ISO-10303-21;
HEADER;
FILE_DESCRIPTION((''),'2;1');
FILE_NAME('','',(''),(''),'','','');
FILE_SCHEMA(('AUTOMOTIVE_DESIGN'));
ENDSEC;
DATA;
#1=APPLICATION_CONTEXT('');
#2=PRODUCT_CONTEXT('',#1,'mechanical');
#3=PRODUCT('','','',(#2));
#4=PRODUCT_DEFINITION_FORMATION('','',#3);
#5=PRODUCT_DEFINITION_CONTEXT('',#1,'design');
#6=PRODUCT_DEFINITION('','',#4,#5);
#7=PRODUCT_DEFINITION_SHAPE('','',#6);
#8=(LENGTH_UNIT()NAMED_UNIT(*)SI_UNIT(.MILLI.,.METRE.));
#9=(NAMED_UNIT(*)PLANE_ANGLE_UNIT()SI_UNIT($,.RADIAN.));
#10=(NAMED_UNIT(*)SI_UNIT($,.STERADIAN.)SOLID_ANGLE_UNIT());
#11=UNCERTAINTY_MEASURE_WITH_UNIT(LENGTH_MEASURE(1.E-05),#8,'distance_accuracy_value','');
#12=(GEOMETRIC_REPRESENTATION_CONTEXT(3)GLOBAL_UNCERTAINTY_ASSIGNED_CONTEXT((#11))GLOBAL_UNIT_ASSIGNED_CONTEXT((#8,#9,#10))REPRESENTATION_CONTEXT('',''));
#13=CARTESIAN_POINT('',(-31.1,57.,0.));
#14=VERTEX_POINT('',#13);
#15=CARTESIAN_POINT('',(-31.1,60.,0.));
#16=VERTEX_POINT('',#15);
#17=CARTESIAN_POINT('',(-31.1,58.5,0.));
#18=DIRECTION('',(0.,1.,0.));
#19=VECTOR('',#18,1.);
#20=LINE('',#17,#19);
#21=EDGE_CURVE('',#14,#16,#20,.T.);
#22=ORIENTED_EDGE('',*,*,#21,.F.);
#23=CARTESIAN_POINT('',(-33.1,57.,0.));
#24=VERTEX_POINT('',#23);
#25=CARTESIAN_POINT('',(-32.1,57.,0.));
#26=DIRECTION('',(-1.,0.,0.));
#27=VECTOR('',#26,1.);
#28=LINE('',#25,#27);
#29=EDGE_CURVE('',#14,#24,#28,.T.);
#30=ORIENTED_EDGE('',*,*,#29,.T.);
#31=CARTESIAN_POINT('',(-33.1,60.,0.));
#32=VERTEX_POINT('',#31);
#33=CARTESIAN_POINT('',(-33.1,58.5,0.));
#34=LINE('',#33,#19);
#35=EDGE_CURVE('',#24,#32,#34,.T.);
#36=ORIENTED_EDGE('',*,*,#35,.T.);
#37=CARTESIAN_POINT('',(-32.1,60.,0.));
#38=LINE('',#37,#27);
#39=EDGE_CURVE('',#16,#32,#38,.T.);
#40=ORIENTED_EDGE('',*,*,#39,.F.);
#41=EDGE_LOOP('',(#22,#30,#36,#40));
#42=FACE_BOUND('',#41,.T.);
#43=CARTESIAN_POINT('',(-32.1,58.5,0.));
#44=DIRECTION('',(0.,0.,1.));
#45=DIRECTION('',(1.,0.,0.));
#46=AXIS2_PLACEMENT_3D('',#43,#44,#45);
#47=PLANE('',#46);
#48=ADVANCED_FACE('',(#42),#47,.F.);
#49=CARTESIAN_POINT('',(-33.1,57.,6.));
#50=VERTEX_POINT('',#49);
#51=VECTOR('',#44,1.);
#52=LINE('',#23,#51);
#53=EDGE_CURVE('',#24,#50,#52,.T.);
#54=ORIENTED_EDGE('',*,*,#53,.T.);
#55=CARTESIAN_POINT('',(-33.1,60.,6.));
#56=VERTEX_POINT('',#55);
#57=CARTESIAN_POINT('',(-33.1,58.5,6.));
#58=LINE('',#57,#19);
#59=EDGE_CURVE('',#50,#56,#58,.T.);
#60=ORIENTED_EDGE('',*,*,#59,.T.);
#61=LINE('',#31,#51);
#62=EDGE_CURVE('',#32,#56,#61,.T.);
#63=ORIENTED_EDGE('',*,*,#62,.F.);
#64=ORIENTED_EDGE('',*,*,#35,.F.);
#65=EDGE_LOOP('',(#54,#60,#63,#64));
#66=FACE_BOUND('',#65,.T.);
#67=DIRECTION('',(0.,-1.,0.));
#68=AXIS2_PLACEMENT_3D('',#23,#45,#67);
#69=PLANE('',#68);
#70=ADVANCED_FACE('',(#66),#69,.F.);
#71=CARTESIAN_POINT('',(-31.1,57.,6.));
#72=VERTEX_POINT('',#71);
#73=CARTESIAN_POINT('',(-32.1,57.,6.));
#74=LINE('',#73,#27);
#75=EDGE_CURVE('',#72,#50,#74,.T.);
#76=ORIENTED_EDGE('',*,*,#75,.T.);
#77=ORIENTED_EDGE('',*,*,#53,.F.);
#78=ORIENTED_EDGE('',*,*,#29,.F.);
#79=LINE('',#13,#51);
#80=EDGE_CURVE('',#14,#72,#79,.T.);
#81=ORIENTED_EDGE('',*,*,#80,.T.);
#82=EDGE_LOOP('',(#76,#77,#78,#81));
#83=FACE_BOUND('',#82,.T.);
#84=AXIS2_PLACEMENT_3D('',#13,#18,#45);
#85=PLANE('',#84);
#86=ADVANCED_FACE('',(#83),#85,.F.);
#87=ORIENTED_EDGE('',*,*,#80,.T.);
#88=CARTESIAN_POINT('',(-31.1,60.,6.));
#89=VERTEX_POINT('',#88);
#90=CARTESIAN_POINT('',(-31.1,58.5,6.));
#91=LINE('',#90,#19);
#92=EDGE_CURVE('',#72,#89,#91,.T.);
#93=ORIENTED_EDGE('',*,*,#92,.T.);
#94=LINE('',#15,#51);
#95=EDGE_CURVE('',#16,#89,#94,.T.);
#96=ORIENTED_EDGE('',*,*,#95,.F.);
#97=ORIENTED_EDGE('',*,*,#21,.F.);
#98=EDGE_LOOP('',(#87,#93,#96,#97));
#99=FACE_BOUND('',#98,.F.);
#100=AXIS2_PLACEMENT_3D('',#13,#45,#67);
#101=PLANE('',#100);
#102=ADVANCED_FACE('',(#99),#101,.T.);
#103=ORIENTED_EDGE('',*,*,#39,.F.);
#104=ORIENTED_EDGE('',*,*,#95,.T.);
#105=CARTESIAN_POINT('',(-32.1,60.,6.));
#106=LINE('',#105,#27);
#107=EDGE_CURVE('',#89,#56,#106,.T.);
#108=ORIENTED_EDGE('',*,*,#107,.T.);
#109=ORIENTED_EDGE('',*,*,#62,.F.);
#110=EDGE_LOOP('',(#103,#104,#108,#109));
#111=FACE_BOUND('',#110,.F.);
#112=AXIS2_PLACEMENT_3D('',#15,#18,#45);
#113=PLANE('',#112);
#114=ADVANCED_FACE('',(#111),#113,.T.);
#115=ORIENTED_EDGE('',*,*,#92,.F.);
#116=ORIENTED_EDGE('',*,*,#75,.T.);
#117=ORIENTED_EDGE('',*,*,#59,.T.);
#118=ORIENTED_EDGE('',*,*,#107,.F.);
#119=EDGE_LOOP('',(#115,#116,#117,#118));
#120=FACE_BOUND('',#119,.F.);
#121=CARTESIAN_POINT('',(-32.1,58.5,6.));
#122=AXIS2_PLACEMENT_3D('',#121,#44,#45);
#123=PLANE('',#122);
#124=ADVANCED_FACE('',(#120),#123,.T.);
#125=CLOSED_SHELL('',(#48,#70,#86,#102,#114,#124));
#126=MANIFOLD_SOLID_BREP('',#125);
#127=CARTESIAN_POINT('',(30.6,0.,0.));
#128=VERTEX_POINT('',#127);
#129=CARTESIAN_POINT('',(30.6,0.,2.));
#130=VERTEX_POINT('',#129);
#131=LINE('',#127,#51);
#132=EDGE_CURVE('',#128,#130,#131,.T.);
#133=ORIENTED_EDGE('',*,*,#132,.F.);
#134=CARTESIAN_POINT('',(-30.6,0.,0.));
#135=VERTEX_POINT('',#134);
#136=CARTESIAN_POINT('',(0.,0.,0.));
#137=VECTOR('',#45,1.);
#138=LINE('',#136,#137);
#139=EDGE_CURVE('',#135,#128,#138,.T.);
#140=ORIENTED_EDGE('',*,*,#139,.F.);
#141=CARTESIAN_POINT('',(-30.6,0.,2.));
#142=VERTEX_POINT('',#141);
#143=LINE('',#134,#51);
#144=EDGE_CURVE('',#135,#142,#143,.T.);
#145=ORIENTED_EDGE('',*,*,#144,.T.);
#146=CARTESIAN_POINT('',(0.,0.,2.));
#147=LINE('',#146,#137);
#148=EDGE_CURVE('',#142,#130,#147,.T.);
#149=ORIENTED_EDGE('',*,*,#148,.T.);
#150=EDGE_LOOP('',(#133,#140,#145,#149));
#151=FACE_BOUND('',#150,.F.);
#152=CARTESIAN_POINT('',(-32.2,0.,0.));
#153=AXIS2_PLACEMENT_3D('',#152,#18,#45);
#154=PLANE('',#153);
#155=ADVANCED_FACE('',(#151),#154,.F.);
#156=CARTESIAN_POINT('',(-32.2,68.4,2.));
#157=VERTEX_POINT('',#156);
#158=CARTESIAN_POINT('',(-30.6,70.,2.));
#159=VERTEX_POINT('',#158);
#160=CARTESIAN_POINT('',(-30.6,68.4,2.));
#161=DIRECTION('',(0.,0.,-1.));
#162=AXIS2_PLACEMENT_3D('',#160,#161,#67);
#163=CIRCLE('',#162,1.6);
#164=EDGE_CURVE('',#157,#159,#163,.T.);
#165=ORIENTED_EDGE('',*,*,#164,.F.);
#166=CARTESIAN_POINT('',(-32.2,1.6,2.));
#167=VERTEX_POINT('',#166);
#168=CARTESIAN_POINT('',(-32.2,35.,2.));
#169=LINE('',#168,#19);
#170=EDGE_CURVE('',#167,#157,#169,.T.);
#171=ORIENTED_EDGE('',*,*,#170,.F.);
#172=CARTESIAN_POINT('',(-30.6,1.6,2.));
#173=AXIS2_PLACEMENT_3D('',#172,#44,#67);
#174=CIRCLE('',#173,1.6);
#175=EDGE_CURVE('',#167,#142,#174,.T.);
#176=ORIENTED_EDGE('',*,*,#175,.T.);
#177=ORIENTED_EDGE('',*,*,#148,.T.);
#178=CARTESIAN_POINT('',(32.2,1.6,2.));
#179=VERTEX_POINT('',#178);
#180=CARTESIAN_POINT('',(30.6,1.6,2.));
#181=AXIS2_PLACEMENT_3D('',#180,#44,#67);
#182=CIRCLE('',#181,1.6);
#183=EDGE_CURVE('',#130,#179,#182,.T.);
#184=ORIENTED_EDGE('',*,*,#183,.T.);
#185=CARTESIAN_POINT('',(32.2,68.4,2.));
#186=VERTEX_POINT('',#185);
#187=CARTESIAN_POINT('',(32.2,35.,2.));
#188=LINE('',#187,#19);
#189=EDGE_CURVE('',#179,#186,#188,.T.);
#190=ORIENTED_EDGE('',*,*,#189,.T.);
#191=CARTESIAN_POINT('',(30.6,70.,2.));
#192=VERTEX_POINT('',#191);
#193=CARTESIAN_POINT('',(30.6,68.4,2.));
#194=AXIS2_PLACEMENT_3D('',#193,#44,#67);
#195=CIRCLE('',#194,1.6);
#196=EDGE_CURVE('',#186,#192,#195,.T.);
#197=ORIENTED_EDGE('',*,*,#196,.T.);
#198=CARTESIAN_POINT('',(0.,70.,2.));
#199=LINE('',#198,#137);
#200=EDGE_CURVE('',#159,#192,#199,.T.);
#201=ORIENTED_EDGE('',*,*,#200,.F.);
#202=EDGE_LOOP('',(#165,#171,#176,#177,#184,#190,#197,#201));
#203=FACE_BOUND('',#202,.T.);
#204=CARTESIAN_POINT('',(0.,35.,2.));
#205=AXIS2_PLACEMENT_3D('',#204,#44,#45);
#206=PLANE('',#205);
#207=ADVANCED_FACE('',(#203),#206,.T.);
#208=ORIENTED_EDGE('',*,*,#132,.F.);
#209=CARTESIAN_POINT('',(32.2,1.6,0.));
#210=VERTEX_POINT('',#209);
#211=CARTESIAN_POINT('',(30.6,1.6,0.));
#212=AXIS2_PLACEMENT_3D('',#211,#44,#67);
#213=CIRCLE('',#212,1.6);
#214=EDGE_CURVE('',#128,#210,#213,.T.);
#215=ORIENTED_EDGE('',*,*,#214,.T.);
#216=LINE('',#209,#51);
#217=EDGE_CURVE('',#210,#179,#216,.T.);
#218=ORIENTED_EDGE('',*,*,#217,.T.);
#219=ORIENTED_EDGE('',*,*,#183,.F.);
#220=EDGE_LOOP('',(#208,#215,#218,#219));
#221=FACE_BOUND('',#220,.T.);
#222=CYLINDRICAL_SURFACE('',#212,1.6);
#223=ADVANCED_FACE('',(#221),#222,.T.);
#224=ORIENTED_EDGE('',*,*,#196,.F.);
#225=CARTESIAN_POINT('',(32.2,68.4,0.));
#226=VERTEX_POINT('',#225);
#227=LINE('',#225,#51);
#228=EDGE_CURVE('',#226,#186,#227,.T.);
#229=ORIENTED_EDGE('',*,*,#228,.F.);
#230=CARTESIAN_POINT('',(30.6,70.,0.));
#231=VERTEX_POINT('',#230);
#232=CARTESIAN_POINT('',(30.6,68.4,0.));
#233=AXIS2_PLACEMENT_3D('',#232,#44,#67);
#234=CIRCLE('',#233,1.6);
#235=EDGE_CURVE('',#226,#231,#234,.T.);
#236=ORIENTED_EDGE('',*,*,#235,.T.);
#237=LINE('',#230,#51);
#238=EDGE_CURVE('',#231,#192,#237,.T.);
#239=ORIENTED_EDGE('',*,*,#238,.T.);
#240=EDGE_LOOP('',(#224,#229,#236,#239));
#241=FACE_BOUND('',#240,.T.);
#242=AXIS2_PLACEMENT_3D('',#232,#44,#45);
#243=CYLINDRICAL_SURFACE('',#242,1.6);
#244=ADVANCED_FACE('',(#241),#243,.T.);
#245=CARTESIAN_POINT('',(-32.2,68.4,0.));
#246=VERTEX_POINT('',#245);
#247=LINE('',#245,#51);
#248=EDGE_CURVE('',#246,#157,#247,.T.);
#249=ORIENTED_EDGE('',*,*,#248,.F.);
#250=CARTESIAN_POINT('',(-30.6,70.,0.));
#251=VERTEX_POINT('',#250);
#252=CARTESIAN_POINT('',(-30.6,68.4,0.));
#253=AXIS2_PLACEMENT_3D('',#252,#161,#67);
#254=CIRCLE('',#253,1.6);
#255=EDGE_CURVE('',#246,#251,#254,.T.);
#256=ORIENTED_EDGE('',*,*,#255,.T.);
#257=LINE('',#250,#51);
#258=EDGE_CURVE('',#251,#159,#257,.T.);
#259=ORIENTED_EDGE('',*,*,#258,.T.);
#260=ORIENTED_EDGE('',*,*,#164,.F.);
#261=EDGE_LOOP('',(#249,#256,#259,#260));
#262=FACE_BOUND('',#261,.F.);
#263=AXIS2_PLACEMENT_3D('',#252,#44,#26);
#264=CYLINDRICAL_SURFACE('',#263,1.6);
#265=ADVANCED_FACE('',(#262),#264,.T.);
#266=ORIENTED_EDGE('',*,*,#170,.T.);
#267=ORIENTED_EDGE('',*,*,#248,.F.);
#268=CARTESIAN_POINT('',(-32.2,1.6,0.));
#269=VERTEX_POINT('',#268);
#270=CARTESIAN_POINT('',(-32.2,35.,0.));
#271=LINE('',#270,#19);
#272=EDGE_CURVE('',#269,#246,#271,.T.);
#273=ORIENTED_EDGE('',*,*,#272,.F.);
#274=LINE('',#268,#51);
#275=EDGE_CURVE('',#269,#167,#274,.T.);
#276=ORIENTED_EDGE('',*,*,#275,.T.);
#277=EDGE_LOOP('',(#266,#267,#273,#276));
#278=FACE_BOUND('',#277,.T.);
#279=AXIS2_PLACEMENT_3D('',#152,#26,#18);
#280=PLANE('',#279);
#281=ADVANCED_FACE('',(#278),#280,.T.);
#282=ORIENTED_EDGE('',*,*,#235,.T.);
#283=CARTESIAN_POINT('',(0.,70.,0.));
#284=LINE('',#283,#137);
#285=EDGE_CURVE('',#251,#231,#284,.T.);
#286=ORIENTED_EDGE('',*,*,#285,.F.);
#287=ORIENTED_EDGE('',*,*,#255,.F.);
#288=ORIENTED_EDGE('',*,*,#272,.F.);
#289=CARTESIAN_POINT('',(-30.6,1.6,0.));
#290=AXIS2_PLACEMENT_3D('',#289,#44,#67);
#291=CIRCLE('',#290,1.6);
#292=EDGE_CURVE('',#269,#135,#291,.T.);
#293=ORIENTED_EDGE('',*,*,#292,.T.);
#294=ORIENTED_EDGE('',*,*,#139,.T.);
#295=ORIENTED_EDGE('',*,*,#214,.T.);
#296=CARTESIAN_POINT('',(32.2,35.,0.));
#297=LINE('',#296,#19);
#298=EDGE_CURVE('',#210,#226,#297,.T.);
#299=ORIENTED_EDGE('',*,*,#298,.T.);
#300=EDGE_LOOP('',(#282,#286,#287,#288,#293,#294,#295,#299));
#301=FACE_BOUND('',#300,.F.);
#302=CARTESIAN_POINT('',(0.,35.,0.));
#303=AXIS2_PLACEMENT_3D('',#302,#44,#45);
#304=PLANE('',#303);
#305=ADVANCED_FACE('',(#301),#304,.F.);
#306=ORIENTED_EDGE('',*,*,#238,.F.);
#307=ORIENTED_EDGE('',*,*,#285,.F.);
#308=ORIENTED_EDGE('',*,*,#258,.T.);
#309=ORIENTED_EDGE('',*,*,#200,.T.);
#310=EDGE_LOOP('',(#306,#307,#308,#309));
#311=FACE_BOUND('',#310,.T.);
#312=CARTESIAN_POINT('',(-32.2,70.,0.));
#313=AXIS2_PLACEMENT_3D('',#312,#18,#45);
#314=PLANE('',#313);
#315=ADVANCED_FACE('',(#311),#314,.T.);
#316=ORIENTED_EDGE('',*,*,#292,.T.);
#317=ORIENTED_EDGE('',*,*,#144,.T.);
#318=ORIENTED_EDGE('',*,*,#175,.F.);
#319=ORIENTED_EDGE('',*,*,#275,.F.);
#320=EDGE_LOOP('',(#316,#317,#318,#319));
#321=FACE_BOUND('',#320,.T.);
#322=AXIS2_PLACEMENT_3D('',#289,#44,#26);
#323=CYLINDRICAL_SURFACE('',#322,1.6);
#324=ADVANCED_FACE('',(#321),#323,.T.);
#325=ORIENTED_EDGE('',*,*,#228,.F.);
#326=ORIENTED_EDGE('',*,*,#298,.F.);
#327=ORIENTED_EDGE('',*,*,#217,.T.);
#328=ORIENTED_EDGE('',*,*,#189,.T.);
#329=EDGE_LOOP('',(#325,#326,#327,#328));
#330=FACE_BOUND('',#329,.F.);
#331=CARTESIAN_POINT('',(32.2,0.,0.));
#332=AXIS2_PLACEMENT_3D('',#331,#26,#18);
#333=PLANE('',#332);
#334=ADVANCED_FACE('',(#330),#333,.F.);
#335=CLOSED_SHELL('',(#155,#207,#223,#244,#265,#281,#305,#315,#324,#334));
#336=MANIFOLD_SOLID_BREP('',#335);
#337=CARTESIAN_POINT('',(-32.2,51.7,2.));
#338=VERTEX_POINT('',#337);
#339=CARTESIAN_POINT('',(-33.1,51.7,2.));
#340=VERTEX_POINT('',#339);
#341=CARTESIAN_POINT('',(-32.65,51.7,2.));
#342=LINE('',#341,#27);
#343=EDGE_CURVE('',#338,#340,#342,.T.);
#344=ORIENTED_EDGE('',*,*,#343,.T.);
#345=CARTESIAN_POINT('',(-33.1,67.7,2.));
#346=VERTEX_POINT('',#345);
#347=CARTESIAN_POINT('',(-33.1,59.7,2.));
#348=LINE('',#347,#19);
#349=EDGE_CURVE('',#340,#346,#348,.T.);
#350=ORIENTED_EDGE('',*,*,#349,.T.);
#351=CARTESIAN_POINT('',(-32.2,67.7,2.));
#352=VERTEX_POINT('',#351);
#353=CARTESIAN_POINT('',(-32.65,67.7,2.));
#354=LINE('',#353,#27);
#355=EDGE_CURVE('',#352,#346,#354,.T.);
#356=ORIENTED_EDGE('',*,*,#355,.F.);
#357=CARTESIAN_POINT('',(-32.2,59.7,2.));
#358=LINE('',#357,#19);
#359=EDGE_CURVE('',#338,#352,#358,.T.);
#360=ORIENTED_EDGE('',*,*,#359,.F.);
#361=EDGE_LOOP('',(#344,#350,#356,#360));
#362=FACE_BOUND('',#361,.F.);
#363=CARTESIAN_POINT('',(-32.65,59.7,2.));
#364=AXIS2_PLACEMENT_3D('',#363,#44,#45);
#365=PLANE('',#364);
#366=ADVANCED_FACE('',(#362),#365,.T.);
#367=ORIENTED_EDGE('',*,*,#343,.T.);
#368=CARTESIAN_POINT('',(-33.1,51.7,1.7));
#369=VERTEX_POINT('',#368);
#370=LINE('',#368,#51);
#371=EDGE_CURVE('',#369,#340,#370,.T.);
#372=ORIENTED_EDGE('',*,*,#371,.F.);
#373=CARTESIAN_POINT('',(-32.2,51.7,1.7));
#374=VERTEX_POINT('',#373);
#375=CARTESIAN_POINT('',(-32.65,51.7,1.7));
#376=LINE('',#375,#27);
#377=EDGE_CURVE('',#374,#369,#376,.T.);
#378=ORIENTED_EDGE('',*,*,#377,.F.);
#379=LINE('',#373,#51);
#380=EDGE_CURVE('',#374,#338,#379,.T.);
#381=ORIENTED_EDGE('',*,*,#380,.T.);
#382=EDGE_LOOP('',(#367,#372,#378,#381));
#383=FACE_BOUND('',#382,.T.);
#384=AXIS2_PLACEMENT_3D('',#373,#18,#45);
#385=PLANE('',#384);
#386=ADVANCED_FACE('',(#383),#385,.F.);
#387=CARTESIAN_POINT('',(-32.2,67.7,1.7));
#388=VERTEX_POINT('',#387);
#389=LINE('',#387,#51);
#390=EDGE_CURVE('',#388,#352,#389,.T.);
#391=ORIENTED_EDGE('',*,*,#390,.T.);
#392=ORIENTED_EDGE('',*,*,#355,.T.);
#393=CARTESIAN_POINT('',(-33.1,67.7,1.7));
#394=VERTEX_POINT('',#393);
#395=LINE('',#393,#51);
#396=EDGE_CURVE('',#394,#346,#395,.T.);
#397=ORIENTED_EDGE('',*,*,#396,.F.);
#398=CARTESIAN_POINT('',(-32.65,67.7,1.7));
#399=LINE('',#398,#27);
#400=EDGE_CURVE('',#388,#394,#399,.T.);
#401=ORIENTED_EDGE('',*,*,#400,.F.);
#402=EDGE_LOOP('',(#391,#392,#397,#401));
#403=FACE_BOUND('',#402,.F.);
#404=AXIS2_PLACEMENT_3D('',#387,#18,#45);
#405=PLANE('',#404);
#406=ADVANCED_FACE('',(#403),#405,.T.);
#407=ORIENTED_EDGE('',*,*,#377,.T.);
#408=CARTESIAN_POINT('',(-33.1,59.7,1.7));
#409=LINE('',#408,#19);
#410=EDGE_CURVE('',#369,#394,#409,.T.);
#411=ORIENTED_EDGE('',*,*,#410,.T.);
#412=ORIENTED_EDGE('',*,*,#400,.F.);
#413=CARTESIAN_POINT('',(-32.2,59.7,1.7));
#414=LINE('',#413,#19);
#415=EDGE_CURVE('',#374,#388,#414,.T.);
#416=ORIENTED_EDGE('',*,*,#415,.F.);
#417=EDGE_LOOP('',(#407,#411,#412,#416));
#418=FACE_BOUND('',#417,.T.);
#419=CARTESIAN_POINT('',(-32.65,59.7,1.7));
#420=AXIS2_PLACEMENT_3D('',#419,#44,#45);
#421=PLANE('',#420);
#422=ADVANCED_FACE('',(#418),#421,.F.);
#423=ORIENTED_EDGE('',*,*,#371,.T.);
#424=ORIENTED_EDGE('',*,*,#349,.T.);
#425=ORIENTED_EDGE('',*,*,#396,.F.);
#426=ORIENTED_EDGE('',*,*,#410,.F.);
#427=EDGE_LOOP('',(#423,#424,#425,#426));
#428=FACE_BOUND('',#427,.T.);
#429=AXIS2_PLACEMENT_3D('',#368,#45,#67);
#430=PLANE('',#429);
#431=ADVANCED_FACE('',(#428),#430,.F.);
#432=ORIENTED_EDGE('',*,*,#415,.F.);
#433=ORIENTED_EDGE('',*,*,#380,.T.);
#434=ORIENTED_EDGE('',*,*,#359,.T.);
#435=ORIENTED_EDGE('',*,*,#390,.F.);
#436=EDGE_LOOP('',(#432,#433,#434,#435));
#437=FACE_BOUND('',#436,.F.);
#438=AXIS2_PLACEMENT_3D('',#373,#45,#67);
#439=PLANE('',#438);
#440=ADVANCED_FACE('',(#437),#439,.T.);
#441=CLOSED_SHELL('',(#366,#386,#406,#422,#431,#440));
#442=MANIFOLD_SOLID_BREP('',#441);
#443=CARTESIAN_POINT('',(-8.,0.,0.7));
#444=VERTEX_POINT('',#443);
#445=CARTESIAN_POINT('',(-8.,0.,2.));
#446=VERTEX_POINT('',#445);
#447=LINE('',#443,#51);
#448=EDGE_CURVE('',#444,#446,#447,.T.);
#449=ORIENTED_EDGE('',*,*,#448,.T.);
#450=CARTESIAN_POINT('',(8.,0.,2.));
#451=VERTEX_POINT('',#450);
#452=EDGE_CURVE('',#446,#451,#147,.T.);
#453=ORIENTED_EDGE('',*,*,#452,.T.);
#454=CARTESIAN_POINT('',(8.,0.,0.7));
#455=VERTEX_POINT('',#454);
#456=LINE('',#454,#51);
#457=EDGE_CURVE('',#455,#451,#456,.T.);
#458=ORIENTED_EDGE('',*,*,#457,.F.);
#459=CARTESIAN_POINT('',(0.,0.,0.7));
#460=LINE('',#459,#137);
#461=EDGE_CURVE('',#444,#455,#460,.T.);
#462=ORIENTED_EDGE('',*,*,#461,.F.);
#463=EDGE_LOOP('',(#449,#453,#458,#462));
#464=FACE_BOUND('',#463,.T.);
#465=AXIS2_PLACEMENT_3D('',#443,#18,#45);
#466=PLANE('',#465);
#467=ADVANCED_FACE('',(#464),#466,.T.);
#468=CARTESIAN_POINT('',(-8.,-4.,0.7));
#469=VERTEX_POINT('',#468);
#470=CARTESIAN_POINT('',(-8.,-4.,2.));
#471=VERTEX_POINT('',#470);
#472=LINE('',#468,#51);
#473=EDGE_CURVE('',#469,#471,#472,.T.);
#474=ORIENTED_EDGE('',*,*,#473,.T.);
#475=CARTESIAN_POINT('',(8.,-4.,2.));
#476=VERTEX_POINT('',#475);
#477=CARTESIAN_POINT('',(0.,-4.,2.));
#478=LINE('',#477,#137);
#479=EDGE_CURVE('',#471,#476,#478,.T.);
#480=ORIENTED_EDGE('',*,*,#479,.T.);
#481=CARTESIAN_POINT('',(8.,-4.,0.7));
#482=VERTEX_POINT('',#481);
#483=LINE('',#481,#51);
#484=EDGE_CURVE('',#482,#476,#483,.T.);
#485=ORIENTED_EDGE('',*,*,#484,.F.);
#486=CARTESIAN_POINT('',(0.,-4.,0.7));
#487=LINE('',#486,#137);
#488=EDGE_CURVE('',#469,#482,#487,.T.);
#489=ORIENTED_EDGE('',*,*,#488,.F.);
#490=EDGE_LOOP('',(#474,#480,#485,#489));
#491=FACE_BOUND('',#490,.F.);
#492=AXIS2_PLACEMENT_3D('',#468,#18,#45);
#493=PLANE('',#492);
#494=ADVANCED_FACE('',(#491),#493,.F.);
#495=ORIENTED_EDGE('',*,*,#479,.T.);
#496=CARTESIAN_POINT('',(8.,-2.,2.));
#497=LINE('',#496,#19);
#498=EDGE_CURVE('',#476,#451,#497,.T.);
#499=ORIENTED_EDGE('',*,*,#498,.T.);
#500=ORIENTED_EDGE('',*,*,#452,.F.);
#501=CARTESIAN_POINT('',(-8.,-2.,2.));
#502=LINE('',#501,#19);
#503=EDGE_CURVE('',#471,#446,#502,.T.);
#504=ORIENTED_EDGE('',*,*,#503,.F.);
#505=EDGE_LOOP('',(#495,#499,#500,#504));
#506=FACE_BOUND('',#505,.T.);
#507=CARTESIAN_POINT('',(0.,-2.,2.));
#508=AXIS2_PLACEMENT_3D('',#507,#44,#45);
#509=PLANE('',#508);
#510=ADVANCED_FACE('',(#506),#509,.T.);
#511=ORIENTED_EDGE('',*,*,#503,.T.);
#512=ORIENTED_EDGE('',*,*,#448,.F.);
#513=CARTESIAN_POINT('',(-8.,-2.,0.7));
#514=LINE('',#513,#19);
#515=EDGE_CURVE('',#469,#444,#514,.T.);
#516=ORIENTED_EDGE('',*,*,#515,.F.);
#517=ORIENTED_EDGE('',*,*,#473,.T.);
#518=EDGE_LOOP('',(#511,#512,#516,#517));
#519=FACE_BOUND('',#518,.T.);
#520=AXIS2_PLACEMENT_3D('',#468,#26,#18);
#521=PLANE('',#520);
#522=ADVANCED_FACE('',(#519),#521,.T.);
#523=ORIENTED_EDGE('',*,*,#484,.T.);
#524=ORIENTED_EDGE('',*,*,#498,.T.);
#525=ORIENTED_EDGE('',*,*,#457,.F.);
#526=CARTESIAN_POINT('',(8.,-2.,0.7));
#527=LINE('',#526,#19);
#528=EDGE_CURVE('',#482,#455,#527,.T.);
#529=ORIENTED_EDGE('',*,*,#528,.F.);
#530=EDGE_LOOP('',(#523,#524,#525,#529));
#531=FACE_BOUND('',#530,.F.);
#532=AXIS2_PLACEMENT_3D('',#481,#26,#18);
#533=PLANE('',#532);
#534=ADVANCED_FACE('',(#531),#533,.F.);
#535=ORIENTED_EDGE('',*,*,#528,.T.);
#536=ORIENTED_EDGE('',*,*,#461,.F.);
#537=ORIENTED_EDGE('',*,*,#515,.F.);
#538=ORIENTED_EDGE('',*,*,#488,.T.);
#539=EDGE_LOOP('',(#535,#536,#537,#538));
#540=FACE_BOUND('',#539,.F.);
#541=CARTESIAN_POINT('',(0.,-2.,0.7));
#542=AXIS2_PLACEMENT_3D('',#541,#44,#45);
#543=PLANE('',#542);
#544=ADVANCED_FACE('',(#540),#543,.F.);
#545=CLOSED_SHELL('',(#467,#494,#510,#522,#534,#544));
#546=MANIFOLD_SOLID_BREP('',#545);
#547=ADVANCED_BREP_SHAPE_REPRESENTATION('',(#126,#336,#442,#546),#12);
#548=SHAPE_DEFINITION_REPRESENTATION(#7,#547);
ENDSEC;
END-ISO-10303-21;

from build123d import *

# Parameters (mm, degrees)
BOX001_W     = 16
BOX001_H     = 4
BOX001_DEPTH = 1.3
BOX_W        = 64.4
BOX_H        = 70
BOX_DEPTH    = 2
FILLET_R     = 1.6
BOX002_W     = 0.9
BOX002_H     = 16
BOX002_DEPTH = 0.3
BOX003_W     = 2
BOX003_H     = 3
BOX003_DEPTH = 6


with BuildPart() as cube001:
    # Box001 → Box001 (new body)
    with BuildSketch(Plane(origin=(-8, -4, 0.7), x_dir=(1, 0, 0), z_dir=(0, 0, 1))):
        with Locations((8, 2)):
            Rectangle(BOX001_W, BOX001_H)
    extrude(amount=BOX001_DEPTH)


with BuildPart() as fillet_body:
    # Box → Box (new body)
    with BuildSketch(Plane(origin=(-32.2, 0, 0), x_dir=(1, 0, 0), z_dir=(0, 0, 1))):
        with Locations((32.2, 35)):
            Rectangle(BOX_W, BOX_H)
    extrude(amount=BOX_DEPTH)

    # Fillet
    fillet_edges = [fillet_body.edges().sort_by_distance(p)[0] for p in [
        (-32.2, 0, 1),
        (-32.2, 70, 1),
        (32.2, 0, 1),
        (32.2, 70, 1),
    ]]
    fillet(fillet_edges, radius=FILLET_R)


with BuildPart() as cube002:
    # Box002 → Box002 (new body)
    with BuildSketch(Plane(origin=(32.2, 51.7, 1.7), x_dir=(1, 0, 0), z_dir=(0, 0, 1))):
        with Locations((0.45, 8)):
            Rectangle(BOX002_W, BOX002_H)
    extrude(amount=BOX002_DEPTH)


with BuildPart() as part_mirroring:
    # Part__Mirroring: instance of Cube002
    add(cube002.part.mirror(Plane(origin=(0, 0, 0), x_dir=(0, -1, 0), z_dir=(1, 0, 0))))


with BuildPart() as cube003:
    # Box003 → Box003 (new body)
    with BuildSketch(Plane(origin=(31.1, 57, 0), x_dir=(1, 0, 0), z_dir=(0, 0, 1))):
        with Locations((1, 1.5)):
            Rectangle(BOX003_W, BOX003_H)
    extrude(amount=BOX003_DEPTH)


with BuildPart() as part_mirroring001:
    # Part__Mirroring001: instance of Cube003
    add(cube003.part.mirror(Plane(origin=(0, 0, 0), x_dir=(0, -1, 0), z_dir=(1, 0, 0))))


solid = Compound([cube001.part, fillet_body.part, part_mirroring.part, part_mirroring001.part])
